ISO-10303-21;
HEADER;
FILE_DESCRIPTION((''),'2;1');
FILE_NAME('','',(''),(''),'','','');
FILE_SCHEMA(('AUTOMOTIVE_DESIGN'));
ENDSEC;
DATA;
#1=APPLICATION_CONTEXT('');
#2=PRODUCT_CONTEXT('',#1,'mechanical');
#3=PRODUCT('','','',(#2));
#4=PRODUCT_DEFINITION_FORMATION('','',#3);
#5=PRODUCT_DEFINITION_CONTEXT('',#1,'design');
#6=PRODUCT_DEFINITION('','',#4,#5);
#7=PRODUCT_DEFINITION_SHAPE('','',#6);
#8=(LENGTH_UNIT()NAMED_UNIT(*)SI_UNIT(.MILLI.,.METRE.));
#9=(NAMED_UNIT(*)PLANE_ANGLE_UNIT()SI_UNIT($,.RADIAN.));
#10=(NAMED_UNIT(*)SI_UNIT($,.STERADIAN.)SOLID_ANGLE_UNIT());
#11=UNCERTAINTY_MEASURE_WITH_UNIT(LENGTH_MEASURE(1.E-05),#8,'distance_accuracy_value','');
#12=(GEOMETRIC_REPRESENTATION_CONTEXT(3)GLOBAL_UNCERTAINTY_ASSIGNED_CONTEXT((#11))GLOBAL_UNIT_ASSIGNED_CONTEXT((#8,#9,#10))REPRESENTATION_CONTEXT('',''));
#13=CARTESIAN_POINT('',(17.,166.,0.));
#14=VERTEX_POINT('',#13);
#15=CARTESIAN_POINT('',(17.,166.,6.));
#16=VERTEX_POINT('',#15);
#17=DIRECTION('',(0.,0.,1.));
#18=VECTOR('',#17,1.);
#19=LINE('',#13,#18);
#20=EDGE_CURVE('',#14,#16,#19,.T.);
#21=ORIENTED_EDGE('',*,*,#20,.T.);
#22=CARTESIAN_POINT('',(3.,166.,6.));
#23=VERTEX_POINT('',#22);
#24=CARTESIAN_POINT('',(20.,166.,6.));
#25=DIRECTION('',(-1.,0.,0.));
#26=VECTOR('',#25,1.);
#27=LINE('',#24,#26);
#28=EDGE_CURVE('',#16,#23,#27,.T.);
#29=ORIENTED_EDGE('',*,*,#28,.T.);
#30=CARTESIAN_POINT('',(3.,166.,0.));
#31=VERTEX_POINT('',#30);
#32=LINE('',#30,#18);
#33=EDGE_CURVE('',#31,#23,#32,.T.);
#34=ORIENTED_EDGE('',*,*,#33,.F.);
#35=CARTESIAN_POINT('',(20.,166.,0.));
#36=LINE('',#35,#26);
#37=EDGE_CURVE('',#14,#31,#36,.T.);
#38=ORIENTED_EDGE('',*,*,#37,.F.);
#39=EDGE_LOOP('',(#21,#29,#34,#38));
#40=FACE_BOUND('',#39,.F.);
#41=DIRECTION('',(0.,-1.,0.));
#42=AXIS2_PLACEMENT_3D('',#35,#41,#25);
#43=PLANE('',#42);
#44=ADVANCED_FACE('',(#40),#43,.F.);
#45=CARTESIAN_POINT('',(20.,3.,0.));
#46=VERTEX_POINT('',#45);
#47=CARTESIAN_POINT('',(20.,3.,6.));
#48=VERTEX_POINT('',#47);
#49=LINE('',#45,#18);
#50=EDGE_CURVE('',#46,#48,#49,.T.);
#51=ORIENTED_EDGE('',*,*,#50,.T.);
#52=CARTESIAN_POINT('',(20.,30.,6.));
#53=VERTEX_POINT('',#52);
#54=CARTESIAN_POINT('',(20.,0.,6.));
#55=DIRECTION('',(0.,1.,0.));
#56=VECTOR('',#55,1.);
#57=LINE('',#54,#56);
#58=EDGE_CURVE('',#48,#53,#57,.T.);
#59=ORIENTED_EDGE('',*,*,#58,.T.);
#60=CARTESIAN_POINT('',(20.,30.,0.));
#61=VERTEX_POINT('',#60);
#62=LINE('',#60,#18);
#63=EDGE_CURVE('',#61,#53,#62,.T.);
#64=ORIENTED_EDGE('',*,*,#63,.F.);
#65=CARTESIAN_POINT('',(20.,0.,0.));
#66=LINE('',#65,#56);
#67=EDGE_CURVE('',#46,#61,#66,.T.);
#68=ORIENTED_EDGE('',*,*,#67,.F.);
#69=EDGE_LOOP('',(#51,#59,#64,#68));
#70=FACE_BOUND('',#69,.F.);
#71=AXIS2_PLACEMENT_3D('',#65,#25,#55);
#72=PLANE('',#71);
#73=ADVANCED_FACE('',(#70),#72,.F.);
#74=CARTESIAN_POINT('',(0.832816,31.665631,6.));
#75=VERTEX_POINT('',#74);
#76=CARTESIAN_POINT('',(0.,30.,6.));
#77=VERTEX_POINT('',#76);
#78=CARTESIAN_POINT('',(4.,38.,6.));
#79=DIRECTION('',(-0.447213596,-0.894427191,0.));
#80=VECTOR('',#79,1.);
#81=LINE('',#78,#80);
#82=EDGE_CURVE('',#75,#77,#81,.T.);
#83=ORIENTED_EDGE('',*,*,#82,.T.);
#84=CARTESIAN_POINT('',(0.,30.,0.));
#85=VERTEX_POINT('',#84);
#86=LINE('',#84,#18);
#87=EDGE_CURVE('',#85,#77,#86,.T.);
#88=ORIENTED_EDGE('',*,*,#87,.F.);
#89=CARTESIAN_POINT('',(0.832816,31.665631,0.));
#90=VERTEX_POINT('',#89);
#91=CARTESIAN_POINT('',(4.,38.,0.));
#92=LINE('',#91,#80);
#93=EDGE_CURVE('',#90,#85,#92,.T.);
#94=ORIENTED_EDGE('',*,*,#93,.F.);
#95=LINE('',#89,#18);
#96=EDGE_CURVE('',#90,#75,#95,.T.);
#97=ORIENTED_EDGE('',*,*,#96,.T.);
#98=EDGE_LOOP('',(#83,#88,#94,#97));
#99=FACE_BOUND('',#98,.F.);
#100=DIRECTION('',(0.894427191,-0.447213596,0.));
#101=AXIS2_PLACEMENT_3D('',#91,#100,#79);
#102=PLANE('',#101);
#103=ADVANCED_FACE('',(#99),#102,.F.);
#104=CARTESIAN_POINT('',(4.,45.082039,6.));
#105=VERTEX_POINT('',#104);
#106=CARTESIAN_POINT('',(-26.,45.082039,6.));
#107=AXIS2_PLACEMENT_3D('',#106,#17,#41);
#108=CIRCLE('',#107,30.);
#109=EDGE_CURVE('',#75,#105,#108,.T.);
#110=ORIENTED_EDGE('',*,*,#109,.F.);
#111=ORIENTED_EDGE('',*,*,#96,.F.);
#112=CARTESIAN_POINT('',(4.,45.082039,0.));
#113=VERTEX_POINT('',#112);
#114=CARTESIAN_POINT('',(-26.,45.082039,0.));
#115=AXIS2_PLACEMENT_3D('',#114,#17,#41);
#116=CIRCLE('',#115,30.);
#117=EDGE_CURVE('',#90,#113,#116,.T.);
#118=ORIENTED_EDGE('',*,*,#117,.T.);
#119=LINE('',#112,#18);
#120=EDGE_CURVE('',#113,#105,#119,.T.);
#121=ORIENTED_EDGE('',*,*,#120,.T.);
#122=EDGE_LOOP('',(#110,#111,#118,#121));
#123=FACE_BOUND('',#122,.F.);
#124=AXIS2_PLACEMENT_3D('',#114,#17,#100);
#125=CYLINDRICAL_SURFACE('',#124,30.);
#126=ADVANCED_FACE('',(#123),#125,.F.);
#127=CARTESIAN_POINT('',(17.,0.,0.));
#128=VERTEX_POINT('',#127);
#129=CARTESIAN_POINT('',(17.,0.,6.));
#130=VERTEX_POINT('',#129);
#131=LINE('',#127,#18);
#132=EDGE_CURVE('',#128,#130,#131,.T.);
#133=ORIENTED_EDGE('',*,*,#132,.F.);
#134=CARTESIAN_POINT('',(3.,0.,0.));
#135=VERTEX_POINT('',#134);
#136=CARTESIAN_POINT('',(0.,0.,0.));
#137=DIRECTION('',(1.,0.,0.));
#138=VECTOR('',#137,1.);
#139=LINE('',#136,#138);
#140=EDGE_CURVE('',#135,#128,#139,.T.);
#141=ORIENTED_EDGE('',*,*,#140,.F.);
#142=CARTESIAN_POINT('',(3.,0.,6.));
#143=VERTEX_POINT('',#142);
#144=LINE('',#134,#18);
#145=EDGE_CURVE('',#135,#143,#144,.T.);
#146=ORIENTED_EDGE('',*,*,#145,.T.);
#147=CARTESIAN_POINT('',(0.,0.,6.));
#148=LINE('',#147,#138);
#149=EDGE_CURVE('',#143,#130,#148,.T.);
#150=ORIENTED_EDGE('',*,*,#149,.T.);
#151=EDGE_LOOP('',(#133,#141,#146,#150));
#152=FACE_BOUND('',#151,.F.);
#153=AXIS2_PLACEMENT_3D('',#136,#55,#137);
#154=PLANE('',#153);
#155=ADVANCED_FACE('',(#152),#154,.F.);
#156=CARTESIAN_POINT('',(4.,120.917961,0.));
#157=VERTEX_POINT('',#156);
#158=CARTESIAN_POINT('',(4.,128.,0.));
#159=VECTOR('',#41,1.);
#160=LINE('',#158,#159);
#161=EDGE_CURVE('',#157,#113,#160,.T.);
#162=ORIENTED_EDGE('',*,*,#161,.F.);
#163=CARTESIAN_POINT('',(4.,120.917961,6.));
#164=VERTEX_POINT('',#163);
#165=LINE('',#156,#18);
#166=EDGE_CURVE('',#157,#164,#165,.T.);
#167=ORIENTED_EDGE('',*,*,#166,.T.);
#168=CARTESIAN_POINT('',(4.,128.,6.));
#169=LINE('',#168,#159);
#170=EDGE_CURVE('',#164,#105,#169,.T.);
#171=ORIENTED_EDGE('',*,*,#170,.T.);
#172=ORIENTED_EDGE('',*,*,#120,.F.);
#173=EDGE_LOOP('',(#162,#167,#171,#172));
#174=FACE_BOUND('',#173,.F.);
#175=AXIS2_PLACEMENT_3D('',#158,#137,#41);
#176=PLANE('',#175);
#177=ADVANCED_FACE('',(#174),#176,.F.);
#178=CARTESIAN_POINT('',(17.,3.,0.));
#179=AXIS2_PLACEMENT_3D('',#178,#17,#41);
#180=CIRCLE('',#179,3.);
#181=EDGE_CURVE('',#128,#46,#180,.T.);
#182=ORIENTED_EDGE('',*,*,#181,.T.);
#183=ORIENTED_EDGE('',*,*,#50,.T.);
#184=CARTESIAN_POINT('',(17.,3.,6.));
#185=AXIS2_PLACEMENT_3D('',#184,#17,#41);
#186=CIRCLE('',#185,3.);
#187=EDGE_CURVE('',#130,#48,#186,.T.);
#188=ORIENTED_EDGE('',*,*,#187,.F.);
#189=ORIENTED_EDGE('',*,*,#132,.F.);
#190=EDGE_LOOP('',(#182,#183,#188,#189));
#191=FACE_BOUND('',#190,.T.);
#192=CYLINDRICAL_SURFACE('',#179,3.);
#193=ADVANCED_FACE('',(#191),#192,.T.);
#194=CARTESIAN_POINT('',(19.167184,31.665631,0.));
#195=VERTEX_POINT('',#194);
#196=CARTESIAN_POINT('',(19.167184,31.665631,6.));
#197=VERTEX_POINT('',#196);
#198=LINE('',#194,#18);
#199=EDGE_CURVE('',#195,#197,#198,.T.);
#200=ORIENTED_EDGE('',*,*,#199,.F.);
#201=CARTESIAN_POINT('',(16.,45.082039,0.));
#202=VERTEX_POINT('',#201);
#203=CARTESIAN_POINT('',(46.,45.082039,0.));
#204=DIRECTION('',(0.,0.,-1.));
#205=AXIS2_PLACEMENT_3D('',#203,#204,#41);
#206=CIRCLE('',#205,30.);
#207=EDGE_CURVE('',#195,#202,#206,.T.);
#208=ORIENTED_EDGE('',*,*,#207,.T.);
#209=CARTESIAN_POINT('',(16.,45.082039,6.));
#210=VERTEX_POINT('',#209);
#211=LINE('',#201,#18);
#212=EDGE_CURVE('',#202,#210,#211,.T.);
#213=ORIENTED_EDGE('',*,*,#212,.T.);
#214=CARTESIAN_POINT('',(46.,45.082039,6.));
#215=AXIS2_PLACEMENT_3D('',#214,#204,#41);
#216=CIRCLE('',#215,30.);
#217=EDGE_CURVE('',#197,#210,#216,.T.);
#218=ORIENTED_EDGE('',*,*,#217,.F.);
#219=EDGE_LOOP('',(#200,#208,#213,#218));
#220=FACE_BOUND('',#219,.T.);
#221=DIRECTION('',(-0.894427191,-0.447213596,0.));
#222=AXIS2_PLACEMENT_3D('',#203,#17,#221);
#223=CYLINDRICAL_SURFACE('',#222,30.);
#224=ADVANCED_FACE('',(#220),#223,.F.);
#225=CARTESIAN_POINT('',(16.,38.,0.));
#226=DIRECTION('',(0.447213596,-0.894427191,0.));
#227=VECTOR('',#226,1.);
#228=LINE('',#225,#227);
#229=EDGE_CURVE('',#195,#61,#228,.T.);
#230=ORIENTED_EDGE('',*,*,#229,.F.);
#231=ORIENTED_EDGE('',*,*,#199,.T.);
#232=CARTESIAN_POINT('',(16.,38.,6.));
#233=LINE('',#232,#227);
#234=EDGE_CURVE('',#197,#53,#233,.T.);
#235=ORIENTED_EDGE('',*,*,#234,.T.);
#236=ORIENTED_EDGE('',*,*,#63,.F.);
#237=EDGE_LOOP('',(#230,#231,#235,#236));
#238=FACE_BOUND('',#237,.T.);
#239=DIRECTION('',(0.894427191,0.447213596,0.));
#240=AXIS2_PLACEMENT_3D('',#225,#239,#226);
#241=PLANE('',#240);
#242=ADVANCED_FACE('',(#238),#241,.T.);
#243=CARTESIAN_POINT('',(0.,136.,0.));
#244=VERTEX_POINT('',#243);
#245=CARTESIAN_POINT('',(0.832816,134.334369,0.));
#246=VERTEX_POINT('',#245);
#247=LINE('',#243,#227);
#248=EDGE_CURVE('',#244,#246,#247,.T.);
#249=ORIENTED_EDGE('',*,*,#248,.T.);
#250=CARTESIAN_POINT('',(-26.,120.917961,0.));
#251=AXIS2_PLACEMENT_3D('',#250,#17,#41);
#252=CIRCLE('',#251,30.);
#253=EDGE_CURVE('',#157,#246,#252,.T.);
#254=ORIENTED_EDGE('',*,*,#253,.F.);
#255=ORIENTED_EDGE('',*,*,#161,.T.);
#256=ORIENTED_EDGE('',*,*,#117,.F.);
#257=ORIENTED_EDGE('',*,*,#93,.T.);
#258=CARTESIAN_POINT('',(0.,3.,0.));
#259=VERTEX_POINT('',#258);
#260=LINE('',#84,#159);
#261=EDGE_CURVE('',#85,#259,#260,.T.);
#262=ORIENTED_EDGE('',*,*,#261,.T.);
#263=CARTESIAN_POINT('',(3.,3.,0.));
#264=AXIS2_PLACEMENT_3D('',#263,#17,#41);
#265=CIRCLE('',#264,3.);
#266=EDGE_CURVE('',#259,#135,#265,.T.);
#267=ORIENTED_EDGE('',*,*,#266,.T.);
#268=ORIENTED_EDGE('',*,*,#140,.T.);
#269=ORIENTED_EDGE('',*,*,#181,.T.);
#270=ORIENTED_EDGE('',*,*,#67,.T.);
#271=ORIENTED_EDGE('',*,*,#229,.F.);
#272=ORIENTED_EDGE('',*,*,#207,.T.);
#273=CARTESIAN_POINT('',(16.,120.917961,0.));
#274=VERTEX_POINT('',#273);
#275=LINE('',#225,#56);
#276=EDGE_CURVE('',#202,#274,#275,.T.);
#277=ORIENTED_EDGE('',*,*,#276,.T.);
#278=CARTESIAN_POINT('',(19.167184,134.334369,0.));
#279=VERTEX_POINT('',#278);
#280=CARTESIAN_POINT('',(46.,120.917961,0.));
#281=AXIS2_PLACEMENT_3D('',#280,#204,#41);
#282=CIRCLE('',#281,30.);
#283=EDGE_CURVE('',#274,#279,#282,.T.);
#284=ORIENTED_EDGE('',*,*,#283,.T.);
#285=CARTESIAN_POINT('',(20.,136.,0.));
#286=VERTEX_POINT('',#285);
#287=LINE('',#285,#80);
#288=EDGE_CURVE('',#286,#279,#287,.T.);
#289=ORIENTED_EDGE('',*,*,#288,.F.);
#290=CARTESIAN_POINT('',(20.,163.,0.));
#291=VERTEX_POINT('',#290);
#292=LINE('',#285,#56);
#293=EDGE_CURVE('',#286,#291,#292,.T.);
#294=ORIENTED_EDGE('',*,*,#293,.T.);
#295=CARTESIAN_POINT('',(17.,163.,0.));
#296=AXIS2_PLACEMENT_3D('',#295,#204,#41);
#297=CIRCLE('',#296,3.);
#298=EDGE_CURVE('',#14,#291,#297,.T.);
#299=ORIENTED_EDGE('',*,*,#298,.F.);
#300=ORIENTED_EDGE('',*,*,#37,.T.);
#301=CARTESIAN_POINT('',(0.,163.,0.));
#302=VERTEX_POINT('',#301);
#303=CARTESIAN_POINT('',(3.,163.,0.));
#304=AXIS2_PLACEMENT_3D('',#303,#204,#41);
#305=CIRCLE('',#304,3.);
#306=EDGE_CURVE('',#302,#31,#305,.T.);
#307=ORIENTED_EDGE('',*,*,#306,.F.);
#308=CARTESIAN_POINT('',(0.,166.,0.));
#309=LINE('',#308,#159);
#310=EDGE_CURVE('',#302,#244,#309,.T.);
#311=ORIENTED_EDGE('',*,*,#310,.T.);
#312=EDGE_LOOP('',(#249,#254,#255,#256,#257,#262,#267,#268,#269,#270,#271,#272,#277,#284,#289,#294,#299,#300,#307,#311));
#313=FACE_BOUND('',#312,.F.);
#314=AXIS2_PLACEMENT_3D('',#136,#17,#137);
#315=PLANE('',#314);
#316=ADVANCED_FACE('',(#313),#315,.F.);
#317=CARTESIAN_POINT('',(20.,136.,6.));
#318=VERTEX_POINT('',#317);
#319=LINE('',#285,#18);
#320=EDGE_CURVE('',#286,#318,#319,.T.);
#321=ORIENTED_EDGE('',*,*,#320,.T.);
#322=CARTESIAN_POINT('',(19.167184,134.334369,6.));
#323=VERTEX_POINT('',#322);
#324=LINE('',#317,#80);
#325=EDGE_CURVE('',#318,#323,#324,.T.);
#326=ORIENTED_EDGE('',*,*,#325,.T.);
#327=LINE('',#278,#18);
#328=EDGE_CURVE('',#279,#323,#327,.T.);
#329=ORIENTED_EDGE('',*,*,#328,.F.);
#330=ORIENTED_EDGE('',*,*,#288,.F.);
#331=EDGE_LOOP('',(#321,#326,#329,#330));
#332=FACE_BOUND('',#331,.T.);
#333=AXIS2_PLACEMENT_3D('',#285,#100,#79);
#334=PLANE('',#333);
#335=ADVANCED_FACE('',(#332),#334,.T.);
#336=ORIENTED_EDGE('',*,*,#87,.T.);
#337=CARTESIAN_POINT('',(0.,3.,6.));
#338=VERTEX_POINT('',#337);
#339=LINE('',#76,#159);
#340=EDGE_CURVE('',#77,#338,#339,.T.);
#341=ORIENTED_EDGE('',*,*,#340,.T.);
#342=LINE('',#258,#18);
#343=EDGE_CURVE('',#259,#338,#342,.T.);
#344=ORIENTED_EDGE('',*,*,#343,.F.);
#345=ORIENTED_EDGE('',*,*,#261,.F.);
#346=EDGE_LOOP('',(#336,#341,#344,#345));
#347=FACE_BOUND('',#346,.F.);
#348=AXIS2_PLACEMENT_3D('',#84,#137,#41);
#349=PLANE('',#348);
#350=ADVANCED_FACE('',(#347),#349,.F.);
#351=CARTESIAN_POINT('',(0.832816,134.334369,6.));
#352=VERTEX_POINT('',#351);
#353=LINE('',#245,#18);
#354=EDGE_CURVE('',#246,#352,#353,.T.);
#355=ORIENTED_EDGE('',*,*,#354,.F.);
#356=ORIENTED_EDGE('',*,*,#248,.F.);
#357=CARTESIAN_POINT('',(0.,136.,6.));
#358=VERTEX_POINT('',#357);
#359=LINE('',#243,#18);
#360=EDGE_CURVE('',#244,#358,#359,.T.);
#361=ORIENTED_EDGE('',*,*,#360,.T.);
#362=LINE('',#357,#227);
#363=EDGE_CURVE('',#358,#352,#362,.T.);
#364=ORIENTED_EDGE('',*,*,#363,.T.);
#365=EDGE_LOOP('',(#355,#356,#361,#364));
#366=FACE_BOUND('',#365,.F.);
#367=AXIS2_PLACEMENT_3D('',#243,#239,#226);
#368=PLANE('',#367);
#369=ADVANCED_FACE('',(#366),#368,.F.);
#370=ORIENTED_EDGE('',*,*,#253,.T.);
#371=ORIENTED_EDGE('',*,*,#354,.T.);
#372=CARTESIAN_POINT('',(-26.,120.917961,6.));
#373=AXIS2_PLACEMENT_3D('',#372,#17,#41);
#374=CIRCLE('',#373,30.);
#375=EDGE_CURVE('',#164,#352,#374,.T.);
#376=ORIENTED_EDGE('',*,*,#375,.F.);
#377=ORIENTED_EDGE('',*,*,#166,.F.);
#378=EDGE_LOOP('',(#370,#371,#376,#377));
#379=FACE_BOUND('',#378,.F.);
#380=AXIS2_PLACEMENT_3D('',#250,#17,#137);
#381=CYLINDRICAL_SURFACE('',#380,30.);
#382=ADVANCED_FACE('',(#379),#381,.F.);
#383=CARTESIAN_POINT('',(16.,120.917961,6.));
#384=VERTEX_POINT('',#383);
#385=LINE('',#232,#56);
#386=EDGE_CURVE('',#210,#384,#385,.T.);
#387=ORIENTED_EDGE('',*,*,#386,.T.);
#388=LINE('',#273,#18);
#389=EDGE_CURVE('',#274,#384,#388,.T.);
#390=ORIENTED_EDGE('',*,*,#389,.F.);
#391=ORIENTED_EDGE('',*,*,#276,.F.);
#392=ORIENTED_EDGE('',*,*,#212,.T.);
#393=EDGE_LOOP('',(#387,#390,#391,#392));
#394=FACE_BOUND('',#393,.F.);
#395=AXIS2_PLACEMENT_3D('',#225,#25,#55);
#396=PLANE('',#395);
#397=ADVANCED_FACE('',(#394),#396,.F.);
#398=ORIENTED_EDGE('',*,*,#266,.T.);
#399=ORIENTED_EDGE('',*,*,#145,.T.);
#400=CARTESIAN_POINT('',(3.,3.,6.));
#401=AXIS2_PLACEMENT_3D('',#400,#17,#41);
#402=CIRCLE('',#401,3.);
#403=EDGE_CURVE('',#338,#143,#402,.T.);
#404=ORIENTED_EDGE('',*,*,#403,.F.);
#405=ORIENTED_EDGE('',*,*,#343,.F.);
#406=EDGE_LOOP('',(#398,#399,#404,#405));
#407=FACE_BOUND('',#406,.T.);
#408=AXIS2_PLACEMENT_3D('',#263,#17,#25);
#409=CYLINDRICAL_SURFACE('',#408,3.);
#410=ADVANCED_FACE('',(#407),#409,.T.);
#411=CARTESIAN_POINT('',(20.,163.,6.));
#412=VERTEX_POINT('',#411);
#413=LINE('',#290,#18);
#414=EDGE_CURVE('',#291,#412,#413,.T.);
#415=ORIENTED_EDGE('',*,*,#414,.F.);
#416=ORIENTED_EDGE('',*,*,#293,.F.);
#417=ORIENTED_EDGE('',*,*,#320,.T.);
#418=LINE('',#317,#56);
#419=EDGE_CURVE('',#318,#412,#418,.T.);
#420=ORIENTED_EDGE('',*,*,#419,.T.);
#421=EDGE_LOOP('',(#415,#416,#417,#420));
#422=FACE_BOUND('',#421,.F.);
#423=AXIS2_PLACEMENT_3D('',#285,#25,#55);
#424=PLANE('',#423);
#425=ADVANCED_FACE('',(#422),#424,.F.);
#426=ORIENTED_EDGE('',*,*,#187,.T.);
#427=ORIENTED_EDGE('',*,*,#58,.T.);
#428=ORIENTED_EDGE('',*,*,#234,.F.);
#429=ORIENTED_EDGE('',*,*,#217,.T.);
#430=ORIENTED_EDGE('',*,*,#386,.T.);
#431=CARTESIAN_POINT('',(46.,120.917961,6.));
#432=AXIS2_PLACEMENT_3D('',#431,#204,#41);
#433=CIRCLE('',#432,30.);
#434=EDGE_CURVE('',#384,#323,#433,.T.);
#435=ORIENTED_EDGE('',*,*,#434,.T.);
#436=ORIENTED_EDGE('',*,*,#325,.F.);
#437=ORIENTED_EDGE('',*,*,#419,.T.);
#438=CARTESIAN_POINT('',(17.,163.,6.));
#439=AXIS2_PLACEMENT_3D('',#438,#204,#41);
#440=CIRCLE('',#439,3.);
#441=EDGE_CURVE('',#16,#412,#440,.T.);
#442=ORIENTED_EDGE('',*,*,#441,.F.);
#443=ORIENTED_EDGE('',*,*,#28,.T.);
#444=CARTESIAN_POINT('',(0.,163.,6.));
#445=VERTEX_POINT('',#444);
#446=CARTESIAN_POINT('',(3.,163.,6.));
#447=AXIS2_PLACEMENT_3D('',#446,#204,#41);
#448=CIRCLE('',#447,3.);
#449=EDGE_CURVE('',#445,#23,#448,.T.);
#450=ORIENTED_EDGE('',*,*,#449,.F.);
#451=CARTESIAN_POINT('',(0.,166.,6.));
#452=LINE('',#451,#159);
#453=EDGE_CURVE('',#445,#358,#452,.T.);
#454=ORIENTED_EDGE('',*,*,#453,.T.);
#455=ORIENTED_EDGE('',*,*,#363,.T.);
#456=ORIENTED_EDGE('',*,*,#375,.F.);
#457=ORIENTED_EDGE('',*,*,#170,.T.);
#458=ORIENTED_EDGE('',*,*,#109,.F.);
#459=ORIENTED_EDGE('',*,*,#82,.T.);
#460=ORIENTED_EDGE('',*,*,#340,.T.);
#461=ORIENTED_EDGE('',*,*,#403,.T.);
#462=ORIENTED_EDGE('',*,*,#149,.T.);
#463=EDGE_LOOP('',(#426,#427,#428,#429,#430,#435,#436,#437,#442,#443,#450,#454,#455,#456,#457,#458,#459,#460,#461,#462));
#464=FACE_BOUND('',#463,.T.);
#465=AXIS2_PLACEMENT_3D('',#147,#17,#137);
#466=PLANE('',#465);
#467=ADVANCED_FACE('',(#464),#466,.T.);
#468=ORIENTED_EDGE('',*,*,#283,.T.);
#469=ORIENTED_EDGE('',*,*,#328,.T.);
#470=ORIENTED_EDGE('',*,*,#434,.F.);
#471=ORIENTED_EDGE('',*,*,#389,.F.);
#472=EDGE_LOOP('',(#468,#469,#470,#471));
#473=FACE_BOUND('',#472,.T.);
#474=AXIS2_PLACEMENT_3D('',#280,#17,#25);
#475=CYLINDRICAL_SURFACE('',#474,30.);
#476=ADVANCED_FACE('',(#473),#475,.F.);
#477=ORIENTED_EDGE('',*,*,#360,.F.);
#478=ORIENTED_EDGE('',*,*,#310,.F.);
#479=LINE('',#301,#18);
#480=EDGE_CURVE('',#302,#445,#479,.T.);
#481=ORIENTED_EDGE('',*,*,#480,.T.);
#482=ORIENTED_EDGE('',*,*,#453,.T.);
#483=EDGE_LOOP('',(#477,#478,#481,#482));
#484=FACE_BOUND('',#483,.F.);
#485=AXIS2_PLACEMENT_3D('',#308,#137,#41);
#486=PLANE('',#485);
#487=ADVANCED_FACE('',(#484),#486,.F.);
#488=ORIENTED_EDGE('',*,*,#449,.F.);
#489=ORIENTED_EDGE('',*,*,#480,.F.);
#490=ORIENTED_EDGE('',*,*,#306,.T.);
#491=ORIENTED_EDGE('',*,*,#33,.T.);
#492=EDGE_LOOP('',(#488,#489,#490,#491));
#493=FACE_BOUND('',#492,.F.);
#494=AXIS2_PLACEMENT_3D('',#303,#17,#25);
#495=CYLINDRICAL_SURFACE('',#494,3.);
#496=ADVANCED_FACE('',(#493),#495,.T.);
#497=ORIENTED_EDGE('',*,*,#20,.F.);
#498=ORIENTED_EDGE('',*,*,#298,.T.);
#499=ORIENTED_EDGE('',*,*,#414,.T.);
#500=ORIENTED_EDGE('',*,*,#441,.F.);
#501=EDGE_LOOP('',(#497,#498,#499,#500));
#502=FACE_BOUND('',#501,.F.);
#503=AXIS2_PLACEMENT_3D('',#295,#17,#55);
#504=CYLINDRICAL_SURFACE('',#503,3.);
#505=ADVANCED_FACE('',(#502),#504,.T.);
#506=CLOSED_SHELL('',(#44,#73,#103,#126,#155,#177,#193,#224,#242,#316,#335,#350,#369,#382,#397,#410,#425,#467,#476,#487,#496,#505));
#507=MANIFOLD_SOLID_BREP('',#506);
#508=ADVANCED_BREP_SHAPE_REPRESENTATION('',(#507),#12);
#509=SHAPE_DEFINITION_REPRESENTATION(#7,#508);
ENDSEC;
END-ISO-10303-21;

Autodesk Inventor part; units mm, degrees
ref_plane "YZ Plane" through (0, 0, 0) normal (1, 0, 0) x (0, 1, 0)
ref_plane "XZ Plane" through (0, 0, 0) normal (0, 1, 0) x (-1, 0, 0)
ref_plane "XY Plane" through (0, 0, 0) normal (0, 0, 1) x (1, 0, 0)
sketch "Skizze1" plane through (0, 0, 0) normal (0, 0, 1) x (1, 0, 0)
  line L0 (0, 0) -> (20, 0)
  line L1 (20, 0) -> (20, 30)
  line L2 (20, 30) -> (0, 30)
  line L3 (0, 30) -> (0, 0)
  line L4 (4, 38) -> (16, 38)
  line L5 (16, 38) -> (16, 128)
  line L6 (16, 128) -> (4, 128)
  line L7 (4, 128) -> (4, 38)
  line L8 (0, 136) -> (20, 136)
  line L9 (20, 136) -> (20, 166)
  line L10 (20, 166) -> (0, 166)
  line L11 (0, 166) -> (0, 136)
  line L12 (0, 136) -> (4, 128)
  line L13 (4, 38) -> (0, 30)
  line L14 (16, 38) -> (20, 30)
  line L15 (20, 136) -> (16, 128)
  point P0 (10, 38)
  point P1 (10, 128)
  dimension "d0" = 20
  dimension "d1" = 30
  dimension "d2" = 20
  dimension "d3" = 30
  dimension "d4" = 10
  dimension "d5" = 90
  dimension "d6" = 8
  dimension "d7" = 8
  dimension "d8" = 10
  dimension "d9" = 12
extrude "Extrusion1" add sketch "Skizze1" along normal blind 6
fillet "Rundung1" radius 3 4 edges at (20, 0, 3) (0, 0, 3) (20, 166, 3) (0, 166, 3)
fillet "Rundung2" radius 30 4 edges at (4, 128, 3) (4, 38, 3) (16, 38, 3) (16, 128, 3)
properties part number "10x5_Probestück"
